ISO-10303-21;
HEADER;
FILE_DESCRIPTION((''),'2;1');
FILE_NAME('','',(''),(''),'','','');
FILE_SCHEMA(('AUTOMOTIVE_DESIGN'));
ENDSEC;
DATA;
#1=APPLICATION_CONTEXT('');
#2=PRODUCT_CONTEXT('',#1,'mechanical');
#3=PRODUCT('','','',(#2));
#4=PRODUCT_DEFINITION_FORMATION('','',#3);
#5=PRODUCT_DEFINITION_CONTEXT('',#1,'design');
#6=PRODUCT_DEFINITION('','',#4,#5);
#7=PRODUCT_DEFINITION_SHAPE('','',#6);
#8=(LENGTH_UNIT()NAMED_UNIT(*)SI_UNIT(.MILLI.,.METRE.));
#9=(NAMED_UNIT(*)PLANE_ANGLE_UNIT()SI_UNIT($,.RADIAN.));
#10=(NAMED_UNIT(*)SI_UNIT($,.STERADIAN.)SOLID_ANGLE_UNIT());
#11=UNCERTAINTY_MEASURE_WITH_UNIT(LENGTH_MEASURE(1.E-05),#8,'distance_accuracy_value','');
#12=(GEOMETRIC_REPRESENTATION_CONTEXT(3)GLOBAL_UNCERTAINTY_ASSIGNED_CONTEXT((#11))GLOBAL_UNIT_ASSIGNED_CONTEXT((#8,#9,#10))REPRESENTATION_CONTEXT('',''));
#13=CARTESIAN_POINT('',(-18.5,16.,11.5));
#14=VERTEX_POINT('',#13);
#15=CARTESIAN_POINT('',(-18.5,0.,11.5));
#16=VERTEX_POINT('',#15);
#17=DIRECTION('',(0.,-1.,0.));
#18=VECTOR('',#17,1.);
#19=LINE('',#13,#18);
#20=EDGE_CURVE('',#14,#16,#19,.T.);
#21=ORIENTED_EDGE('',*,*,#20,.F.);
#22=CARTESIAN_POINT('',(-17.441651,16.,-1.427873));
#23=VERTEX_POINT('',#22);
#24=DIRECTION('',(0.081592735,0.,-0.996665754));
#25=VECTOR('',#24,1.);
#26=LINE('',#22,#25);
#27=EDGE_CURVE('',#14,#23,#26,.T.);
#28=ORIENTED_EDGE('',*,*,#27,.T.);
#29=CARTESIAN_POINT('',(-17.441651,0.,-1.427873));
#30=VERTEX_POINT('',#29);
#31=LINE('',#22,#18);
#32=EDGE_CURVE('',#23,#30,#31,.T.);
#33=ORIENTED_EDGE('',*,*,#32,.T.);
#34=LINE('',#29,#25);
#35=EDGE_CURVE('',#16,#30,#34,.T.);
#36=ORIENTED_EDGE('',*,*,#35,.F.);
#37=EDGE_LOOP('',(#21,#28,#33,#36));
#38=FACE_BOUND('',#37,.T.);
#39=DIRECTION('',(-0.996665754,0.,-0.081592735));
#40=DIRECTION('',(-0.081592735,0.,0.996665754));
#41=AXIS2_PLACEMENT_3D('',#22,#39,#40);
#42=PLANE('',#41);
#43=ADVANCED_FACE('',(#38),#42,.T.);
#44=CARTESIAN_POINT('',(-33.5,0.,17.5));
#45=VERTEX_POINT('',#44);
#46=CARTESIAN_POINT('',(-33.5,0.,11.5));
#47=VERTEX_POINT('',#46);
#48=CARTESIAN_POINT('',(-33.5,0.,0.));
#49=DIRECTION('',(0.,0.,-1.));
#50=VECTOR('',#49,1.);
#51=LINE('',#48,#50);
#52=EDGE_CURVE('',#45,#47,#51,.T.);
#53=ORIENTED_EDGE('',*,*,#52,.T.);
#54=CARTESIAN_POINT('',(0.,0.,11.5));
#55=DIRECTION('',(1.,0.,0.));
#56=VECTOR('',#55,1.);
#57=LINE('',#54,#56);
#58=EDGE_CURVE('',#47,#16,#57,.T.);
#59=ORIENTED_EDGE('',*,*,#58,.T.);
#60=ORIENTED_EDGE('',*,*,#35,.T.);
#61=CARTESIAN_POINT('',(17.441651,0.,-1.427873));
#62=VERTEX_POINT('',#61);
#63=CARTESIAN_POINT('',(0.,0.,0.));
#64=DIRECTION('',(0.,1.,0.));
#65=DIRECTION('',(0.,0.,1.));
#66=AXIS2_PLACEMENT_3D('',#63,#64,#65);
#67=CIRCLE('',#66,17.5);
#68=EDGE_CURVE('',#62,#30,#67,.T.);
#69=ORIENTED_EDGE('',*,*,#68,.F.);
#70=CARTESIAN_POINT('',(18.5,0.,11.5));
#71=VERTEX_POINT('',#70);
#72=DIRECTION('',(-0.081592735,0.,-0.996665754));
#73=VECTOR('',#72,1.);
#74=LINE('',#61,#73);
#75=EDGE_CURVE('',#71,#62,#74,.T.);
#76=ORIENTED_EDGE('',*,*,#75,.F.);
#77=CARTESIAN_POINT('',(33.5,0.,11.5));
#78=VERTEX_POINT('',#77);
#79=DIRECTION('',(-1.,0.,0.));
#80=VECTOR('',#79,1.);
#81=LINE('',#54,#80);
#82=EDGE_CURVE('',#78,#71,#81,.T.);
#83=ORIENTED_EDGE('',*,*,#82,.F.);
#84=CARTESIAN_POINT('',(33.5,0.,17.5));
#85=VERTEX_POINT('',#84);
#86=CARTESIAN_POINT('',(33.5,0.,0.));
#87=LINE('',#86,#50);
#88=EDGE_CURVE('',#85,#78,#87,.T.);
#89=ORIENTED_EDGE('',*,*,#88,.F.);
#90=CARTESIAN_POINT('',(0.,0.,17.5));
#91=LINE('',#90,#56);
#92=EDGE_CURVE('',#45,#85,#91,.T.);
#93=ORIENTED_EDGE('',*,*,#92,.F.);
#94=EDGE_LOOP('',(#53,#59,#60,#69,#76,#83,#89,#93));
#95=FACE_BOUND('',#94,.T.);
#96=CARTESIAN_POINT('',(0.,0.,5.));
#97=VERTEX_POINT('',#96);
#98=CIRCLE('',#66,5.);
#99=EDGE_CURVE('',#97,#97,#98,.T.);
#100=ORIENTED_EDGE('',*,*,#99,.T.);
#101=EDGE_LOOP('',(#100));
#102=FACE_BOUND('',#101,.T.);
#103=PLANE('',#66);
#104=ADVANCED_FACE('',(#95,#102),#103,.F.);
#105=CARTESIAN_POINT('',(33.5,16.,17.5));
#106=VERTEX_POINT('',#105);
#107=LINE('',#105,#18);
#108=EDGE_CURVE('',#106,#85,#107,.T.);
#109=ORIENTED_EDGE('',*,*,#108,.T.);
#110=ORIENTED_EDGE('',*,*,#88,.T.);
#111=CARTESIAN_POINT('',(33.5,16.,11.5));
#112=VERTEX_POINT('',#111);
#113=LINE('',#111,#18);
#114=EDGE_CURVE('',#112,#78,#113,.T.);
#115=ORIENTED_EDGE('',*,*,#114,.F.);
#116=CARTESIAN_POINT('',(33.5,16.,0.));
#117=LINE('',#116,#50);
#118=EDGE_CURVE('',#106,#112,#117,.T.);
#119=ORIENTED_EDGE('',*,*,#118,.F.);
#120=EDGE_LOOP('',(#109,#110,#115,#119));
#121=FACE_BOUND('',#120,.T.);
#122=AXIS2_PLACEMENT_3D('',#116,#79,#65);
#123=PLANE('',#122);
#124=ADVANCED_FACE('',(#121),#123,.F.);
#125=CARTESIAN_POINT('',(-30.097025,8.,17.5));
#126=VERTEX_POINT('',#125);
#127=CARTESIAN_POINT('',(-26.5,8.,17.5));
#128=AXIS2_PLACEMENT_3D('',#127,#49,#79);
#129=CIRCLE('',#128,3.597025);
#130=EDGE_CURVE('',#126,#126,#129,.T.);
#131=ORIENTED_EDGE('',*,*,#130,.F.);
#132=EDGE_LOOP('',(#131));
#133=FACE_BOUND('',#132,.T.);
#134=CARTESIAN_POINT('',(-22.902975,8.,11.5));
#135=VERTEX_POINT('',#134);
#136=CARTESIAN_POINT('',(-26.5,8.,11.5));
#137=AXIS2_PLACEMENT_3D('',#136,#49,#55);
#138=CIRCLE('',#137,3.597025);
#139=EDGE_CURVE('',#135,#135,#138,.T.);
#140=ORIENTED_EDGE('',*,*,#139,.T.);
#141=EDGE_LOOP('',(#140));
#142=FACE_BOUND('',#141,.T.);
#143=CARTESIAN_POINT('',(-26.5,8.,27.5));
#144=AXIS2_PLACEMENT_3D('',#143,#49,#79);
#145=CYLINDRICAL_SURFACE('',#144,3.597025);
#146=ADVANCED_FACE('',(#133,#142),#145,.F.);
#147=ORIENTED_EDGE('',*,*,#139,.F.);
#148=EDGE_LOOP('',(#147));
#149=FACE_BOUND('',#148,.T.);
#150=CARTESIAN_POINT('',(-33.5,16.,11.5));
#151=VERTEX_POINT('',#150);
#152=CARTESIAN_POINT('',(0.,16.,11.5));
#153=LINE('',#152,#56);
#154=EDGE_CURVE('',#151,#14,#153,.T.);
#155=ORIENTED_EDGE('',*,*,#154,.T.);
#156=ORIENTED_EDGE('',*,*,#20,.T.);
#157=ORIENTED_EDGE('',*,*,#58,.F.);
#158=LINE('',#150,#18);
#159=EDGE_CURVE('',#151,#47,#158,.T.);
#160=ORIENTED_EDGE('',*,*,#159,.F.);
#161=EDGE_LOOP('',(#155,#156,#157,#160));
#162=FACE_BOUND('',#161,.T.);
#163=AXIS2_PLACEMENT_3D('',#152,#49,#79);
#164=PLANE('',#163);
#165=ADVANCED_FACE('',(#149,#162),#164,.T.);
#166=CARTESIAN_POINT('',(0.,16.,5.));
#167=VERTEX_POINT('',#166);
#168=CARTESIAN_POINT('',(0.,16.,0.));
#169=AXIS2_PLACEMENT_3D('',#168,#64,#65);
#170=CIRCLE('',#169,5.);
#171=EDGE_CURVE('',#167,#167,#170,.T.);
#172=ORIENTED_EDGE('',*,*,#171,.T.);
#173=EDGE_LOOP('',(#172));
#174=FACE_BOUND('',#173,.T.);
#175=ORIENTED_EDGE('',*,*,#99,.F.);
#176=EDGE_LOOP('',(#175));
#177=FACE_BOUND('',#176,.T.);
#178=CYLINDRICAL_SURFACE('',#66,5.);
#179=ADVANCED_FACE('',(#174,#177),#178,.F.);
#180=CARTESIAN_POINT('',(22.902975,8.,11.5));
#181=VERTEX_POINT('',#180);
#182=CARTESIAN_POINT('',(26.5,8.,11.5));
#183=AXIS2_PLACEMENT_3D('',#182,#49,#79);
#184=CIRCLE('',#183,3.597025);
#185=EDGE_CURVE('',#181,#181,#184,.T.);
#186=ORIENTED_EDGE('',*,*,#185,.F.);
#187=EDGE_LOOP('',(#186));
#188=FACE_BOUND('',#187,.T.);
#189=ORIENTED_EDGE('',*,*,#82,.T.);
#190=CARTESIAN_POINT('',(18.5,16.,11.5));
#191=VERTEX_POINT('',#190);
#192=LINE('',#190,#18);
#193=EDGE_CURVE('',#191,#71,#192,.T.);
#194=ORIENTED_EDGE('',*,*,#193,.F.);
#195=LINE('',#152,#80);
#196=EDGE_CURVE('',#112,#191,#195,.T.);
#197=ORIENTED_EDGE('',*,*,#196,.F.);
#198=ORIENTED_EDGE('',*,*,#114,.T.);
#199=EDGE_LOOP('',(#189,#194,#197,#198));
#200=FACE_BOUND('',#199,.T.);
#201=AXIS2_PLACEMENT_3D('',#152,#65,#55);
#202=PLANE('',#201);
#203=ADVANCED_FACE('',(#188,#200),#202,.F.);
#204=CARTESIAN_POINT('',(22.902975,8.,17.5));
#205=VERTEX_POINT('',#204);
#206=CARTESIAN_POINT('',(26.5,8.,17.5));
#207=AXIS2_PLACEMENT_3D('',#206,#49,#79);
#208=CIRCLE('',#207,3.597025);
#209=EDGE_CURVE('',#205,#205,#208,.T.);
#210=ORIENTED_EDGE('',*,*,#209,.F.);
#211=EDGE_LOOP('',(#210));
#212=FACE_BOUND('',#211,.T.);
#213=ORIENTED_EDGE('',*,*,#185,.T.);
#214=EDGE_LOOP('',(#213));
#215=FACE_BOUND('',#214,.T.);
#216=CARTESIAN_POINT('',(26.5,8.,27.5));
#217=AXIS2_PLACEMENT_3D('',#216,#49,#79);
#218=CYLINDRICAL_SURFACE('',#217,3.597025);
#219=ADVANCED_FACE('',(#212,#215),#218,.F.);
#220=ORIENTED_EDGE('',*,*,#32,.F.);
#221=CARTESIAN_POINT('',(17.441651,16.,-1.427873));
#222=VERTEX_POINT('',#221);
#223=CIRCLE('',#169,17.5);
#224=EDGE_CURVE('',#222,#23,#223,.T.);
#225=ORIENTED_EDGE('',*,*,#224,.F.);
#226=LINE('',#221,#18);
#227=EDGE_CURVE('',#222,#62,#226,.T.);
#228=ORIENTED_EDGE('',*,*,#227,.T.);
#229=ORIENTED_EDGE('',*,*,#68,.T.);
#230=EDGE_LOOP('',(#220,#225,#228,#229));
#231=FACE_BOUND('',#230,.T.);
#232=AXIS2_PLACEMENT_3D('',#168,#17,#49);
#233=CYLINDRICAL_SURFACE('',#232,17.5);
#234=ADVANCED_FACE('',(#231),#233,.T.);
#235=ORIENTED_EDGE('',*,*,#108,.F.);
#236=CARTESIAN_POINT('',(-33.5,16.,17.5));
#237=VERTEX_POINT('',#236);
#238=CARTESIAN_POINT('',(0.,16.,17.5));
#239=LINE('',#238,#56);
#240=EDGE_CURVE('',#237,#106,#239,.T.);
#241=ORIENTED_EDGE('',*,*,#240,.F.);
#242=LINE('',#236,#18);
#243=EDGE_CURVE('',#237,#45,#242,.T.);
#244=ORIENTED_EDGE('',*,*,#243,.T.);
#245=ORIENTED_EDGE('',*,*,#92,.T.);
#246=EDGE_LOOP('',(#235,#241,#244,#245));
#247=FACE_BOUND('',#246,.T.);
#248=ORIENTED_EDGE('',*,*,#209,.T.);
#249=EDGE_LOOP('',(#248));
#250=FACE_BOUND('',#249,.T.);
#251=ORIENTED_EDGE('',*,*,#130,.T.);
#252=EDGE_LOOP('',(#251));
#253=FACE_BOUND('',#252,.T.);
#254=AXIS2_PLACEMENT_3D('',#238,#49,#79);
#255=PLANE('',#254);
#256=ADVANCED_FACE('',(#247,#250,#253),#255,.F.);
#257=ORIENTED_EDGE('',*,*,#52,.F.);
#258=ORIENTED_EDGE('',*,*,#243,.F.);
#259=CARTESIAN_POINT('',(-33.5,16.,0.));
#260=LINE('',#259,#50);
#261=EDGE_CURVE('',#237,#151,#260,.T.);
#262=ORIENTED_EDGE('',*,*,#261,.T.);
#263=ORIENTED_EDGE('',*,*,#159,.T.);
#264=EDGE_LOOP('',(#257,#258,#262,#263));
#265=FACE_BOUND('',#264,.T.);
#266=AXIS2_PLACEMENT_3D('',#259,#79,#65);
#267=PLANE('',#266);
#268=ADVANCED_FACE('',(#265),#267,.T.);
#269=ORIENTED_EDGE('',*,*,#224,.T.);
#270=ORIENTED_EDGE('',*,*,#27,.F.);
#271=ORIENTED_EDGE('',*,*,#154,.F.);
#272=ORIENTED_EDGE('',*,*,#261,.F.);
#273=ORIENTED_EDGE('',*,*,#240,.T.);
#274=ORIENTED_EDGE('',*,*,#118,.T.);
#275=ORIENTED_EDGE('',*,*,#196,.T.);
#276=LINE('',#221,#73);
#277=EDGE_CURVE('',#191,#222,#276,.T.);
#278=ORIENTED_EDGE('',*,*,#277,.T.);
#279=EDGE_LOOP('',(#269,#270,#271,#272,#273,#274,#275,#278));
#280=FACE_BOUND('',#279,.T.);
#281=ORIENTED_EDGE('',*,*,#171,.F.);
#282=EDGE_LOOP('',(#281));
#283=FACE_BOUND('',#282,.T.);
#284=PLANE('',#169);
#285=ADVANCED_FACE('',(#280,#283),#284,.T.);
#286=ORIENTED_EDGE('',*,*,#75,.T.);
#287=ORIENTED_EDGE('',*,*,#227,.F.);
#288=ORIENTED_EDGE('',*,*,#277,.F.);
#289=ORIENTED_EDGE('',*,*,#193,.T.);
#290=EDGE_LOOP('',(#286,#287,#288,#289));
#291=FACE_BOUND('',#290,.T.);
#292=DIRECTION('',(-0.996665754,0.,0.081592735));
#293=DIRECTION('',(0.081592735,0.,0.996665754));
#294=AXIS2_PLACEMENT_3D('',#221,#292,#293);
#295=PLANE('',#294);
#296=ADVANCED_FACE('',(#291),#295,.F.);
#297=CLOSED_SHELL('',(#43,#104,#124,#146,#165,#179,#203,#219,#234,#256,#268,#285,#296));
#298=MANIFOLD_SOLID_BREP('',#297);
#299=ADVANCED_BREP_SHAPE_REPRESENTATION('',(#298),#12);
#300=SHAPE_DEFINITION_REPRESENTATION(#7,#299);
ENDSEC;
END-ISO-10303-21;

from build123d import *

# Parameters (mm, degrees)
SKETCH_1_R          = 17.5
EXTRUDE_1_DEPTH     = 16
SKETCH_2_R          = 5
CUT_EXTRUDE_1_DEPTH = 16
SKETCH_3_R          = 3.597024537
CUT_EXTRUDE_2_DEPTH = 16


with BuildPart() as part:
    # 草图1 → 凸台-拉伸1 (new body)
    with BuildSketch(Plane(origin=(0, 0, 0), x_dir=(1, 0, 0), z_dir=(0, 1, 0))):
        Circle(SKETCH_1_R)
        with BuildLine():
            Line((-33.5, -11.5), (-33.5, -17.5))
            Line((-33.5, -17.5), (-7.2e-08, -17.5))
            ThreePointArc((-7.2e-08, -17.5), (-12.869300221, -11.85879892), (-17.441650698, 1.427872863))
            Line((-17.441650698, 1.427872863), (-18.5, -11.5))
            Line((-18.5, -11.5), (-33.5, -11.5))
        make_face()
        with BuildLine():
            ThreePointArc((17.5, 0), (12.374368645, -12.374368696), (-7.2e-08, -17.5))
            Line((-7.2e-08, -17.5), (33.5, -17.5))
            Line((33.5, -17.5), (33.5, -11.5))
            Line((33.5, -11.5), (18.5, -11.5))
            Line((18.5, -11.5), (17.441650698, 1.427872863))
            ThreePointArc((17.441650698, 1.427872863), (17.48540659, 0.714532286), (17.5, 0))
        make_face()
    extrude(amount=EXTRUDE_1_DEPTH)

    # 草图2 → 切除-拉伸1 (cut)
    with BuildSketch(Plane(origin=(0, 16, 0), x_dir=(1, 0, 0), z_dir=(0, 1, 0))):
        with Locations(Location((0, 0, 0), (0, 0, 270))):
            Circle(SKETCH_2_R)
    extrude(amount=-CUT_EXTRUDE_1_DEPTH, mode=Mode.SUBTRACT)

    # 草图3 → 切除-拉伸2 (cut)
    with BuildSketch(Plane(origin=(0, 0, 11.5), x_dir=(-1, 0, 0), z_dir=(0, 0, -1))):
        with Locations((-26.5, 8)):
            Circle(SKETCH_3_R)
        with Locations((26.5, 8)):
            Circle(SKETCH_3_R)
    extrude(amount=-CUT_EXTRUDE_2_DEPTH, mode=Mode.SUBTRACT)


solid = part.part
